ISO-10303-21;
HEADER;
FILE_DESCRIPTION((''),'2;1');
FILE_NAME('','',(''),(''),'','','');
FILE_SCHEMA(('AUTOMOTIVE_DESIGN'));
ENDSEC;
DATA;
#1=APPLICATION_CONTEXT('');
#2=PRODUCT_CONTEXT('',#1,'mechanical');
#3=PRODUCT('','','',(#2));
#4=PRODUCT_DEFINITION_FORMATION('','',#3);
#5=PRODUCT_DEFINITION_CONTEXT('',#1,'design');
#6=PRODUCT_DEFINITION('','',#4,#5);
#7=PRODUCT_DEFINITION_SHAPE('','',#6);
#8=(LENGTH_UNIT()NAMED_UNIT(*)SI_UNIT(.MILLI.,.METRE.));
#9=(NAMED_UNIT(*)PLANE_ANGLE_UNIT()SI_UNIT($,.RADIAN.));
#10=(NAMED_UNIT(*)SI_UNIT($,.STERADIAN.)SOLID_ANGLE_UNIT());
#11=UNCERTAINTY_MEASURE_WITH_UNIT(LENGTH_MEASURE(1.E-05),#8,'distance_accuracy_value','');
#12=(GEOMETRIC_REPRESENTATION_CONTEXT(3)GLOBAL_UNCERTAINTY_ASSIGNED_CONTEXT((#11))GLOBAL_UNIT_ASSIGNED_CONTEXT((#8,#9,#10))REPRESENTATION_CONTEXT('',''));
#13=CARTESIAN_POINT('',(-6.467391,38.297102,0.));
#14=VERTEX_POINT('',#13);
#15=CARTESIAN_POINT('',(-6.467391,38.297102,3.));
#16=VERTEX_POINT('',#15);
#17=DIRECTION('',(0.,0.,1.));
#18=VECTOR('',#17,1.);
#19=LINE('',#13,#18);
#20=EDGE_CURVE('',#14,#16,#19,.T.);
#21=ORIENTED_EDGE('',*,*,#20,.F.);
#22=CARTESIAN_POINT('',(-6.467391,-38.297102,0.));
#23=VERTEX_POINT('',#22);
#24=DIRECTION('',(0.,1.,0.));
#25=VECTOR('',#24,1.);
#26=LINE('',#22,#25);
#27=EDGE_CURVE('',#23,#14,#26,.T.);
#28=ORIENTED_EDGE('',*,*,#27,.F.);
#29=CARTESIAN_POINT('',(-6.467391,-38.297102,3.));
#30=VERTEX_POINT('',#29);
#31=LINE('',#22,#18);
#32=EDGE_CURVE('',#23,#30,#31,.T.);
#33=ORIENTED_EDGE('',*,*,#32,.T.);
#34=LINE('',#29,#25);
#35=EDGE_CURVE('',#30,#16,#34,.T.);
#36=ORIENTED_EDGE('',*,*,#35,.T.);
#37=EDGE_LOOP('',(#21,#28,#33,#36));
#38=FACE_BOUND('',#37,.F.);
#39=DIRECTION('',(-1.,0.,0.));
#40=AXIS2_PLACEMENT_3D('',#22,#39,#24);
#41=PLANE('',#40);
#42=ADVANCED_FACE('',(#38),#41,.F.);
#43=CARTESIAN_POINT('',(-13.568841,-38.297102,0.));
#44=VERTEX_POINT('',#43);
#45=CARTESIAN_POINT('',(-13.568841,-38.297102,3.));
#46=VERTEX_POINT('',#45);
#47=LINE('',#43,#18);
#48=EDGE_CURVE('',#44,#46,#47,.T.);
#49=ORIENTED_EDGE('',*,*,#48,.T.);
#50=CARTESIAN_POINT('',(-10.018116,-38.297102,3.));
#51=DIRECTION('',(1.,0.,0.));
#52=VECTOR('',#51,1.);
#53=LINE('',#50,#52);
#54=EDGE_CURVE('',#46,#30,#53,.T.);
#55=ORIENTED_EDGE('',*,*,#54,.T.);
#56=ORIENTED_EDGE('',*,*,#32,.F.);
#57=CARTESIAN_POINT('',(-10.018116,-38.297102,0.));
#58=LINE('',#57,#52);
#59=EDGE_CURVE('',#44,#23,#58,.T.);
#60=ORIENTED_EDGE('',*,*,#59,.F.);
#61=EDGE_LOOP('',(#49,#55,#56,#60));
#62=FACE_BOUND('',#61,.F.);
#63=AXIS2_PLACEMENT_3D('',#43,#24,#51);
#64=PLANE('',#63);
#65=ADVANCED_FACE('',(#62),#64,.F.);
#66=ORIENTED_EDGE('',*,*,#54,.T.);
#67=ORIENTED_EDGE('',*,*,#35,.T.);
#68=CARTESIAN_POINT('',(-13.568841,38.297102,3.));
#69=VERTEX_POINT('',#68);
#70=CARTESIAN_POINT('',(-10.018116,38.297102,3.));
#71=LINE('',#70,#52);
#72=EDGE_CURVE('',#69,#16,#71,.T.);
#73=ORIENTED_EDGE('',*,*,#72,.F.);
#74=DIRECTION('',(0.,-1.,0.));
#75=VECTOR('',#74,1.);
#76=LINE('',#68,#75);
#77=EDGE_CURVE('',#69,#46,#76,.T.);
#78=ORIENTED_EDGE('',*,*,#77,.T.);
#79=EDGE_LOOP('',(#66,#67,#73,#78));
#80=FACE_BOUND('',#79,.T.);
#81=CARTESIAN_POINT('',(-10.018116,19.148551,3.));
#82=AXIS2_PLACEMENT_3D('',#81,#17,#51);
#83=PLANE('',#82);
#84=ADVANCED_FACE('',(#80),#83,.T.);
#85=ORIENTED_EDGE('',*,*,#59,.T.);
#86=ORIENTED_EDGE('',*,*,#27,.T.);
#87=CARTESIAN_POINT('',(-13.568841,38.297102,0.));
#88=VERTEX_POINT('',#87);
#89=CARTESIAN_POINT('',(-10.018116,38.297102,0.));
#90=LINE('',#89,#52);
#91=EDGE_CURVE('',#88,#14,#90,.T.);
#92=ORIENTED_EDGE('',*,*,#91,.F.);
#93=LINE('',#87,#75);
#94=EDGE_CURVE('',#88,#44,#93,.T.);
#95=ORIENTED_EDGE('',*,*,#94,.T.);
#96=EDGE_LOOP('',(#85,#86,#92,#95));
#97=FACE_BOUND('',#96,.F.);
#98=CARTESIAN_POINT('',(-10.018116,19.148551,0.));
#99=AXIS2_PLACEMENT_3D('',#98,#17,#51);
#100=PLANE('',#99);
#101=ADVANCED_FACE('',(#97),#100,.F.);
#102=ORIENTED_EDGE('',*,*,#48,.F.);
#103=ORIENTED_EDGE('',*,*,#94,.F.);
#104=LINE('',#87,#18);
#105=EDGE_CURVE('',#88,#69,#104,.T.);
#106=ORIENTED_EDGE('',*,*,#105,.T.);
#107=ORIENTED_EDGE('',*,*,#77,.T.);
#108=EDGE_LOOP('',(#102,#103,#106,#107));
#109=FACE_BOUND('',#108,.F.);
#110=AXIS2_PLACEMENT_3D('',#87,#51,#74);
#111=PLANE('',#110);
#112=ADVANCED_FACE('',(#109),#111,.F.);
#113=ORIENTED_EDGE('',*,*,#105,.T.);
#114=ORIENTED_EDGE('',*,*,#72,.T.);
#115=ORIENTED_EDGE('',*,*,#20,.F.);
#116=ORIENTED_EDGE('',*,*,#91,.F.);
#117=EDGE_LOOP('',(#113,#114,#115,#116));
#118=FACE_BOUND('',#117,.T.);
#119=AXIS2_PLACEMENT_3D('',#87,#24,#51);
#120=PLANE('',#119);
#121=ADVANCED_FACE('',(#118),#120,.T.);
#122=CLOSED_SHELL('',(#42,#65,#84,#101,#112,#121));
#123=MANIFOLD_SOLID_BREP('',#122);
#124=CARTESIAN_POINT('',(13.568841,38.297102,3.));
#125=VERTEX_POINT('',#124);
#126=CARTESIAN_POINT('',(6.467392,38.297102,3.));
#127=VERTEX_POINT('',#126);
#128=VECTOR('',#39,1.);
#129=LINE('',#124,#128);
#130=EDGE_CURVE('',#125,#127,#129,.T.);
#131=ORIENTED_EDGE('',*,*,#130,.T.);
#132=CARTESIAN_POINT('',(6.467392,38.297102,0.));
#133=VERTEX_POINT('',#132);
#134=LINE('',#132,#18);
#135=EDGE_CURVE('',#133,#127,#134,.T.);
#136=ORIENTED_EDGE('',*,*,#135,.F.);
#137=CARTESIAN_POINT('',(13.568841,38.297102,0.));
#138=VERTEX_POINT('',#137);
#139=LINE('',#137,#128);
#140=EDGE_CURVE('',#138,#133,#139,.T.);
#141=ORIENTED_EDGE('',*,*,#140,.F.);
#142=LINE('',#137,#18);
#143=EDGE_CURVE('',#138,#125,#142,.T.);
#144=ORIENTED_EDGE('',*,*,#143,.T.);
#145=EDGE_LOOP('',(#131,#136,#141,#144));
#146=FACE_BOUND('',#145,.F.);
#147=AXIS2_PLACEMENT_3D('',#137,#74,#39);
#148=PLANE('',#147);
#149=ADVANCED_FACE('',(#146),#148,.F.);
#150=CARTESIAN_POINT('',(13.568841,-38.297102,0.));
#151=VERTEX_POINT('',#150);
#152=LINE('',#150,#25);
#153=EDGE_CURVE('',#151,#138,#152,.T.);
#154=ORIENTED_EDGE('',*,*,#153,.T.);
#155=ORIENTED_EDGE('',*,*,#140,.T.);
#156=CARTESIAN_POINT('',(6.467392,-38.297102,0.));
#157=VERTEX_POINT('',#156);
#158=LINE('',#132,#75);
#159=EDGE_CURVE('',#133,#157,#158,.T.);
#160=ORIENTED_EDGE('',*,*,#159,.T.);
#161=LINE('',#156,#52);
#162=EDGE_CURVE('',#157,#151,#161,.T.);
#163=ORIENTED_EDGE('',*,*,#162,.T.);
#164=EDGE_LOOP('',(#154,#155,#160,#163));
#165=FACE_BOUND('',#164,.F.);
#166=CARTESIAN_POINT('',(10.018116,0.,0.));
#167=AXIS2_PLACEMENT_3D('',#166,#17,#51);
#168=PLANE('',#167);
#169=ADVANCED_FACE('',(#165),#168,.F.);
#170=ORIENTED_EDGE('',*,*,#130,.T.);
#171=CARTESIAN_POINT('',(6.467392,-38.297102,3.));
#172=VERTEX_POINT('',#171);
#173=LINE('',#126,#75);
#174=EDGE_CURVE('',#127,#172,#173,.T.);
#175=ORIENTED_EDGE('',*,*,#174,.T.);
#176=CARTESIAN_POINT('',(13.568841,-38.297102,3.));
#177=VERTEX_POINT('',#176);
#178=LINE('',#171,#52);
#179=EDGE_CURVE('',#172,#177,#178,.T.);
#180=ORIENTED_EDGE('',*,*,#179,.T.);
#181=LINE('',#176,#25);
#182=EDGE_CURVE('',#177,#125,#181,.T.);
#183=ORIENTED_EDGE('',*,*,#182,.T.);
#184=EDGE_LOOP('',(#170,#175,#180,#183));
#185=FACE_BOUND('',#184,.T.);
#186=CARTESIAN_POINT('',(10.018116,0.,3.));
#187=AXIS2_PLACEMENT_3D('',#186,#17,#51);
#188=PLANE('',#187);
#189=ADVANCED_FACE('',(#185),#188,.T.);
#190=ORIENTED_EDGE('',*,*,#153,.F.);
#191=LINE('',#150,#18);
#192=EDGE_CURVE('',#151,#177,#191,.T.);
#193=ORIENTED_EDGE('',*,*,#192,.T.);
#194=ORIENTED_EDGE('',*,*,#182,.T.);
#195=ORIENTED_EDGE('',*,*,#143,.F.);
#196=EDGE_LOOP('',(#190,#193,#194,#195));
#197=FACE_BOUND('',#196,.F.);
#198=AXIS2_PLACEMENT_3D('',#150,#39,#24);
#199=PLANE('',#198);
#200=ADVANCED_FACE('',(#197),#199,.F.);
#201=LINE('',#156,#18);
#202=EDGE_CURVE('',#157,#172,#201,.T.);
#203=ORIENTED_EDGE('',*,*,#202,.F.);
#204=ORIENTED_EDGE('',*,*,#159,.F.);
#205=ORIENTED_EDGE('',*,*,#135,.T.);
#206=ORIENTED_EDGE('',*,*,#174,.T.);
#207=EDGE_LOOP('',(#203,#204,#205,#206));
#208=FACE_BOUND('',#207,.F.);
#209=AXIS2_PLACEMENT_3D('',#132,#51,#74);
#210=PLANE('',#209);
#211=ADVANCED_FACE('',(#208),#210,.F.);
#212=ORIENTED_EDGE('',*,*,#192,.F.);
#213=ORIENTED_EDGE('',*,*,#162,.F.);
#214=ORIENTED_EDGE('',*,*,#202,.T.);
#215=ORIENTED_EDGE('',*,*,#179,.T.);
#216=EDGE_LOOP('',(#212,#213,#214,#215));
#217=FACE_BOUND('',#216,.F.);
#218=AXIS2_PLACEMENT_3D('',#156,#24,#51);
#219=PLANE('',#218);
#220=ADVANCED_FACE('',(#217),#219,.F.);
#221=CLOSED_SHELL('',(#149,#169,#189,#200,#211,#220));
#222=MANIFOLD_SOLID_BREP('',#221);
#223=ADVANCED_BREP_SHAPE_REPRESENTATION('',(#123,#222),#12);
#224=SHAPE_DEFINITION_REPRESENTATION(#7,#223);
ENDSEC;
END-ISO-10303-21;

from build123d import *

# Parameters (mm, degrees)
F0_W     = 7.101449
F0_H     = 38.297102
F1_DEPTH = 3


with BuildPart() as f1:
    # F0 (on Top) → F1 (new body)
    with BuildSketch(Plane.XY):
        with Locations((-10.018116, 19.148551)):
            Rectangle(F0_W, F0_H)
        with Locations((-10.018116, -19.148551)):
            Rectangle(F0_W, F0_H)
        Polygon((13.568841, 0), (13.568841, 38.297102), (6.467392, 38.297102), (6.467392, 0), (6.467392, -38.297102), (13.568841, -38.297102), align=None)
    extrude(amount=F1_DEPTH)


solid = f1.part
